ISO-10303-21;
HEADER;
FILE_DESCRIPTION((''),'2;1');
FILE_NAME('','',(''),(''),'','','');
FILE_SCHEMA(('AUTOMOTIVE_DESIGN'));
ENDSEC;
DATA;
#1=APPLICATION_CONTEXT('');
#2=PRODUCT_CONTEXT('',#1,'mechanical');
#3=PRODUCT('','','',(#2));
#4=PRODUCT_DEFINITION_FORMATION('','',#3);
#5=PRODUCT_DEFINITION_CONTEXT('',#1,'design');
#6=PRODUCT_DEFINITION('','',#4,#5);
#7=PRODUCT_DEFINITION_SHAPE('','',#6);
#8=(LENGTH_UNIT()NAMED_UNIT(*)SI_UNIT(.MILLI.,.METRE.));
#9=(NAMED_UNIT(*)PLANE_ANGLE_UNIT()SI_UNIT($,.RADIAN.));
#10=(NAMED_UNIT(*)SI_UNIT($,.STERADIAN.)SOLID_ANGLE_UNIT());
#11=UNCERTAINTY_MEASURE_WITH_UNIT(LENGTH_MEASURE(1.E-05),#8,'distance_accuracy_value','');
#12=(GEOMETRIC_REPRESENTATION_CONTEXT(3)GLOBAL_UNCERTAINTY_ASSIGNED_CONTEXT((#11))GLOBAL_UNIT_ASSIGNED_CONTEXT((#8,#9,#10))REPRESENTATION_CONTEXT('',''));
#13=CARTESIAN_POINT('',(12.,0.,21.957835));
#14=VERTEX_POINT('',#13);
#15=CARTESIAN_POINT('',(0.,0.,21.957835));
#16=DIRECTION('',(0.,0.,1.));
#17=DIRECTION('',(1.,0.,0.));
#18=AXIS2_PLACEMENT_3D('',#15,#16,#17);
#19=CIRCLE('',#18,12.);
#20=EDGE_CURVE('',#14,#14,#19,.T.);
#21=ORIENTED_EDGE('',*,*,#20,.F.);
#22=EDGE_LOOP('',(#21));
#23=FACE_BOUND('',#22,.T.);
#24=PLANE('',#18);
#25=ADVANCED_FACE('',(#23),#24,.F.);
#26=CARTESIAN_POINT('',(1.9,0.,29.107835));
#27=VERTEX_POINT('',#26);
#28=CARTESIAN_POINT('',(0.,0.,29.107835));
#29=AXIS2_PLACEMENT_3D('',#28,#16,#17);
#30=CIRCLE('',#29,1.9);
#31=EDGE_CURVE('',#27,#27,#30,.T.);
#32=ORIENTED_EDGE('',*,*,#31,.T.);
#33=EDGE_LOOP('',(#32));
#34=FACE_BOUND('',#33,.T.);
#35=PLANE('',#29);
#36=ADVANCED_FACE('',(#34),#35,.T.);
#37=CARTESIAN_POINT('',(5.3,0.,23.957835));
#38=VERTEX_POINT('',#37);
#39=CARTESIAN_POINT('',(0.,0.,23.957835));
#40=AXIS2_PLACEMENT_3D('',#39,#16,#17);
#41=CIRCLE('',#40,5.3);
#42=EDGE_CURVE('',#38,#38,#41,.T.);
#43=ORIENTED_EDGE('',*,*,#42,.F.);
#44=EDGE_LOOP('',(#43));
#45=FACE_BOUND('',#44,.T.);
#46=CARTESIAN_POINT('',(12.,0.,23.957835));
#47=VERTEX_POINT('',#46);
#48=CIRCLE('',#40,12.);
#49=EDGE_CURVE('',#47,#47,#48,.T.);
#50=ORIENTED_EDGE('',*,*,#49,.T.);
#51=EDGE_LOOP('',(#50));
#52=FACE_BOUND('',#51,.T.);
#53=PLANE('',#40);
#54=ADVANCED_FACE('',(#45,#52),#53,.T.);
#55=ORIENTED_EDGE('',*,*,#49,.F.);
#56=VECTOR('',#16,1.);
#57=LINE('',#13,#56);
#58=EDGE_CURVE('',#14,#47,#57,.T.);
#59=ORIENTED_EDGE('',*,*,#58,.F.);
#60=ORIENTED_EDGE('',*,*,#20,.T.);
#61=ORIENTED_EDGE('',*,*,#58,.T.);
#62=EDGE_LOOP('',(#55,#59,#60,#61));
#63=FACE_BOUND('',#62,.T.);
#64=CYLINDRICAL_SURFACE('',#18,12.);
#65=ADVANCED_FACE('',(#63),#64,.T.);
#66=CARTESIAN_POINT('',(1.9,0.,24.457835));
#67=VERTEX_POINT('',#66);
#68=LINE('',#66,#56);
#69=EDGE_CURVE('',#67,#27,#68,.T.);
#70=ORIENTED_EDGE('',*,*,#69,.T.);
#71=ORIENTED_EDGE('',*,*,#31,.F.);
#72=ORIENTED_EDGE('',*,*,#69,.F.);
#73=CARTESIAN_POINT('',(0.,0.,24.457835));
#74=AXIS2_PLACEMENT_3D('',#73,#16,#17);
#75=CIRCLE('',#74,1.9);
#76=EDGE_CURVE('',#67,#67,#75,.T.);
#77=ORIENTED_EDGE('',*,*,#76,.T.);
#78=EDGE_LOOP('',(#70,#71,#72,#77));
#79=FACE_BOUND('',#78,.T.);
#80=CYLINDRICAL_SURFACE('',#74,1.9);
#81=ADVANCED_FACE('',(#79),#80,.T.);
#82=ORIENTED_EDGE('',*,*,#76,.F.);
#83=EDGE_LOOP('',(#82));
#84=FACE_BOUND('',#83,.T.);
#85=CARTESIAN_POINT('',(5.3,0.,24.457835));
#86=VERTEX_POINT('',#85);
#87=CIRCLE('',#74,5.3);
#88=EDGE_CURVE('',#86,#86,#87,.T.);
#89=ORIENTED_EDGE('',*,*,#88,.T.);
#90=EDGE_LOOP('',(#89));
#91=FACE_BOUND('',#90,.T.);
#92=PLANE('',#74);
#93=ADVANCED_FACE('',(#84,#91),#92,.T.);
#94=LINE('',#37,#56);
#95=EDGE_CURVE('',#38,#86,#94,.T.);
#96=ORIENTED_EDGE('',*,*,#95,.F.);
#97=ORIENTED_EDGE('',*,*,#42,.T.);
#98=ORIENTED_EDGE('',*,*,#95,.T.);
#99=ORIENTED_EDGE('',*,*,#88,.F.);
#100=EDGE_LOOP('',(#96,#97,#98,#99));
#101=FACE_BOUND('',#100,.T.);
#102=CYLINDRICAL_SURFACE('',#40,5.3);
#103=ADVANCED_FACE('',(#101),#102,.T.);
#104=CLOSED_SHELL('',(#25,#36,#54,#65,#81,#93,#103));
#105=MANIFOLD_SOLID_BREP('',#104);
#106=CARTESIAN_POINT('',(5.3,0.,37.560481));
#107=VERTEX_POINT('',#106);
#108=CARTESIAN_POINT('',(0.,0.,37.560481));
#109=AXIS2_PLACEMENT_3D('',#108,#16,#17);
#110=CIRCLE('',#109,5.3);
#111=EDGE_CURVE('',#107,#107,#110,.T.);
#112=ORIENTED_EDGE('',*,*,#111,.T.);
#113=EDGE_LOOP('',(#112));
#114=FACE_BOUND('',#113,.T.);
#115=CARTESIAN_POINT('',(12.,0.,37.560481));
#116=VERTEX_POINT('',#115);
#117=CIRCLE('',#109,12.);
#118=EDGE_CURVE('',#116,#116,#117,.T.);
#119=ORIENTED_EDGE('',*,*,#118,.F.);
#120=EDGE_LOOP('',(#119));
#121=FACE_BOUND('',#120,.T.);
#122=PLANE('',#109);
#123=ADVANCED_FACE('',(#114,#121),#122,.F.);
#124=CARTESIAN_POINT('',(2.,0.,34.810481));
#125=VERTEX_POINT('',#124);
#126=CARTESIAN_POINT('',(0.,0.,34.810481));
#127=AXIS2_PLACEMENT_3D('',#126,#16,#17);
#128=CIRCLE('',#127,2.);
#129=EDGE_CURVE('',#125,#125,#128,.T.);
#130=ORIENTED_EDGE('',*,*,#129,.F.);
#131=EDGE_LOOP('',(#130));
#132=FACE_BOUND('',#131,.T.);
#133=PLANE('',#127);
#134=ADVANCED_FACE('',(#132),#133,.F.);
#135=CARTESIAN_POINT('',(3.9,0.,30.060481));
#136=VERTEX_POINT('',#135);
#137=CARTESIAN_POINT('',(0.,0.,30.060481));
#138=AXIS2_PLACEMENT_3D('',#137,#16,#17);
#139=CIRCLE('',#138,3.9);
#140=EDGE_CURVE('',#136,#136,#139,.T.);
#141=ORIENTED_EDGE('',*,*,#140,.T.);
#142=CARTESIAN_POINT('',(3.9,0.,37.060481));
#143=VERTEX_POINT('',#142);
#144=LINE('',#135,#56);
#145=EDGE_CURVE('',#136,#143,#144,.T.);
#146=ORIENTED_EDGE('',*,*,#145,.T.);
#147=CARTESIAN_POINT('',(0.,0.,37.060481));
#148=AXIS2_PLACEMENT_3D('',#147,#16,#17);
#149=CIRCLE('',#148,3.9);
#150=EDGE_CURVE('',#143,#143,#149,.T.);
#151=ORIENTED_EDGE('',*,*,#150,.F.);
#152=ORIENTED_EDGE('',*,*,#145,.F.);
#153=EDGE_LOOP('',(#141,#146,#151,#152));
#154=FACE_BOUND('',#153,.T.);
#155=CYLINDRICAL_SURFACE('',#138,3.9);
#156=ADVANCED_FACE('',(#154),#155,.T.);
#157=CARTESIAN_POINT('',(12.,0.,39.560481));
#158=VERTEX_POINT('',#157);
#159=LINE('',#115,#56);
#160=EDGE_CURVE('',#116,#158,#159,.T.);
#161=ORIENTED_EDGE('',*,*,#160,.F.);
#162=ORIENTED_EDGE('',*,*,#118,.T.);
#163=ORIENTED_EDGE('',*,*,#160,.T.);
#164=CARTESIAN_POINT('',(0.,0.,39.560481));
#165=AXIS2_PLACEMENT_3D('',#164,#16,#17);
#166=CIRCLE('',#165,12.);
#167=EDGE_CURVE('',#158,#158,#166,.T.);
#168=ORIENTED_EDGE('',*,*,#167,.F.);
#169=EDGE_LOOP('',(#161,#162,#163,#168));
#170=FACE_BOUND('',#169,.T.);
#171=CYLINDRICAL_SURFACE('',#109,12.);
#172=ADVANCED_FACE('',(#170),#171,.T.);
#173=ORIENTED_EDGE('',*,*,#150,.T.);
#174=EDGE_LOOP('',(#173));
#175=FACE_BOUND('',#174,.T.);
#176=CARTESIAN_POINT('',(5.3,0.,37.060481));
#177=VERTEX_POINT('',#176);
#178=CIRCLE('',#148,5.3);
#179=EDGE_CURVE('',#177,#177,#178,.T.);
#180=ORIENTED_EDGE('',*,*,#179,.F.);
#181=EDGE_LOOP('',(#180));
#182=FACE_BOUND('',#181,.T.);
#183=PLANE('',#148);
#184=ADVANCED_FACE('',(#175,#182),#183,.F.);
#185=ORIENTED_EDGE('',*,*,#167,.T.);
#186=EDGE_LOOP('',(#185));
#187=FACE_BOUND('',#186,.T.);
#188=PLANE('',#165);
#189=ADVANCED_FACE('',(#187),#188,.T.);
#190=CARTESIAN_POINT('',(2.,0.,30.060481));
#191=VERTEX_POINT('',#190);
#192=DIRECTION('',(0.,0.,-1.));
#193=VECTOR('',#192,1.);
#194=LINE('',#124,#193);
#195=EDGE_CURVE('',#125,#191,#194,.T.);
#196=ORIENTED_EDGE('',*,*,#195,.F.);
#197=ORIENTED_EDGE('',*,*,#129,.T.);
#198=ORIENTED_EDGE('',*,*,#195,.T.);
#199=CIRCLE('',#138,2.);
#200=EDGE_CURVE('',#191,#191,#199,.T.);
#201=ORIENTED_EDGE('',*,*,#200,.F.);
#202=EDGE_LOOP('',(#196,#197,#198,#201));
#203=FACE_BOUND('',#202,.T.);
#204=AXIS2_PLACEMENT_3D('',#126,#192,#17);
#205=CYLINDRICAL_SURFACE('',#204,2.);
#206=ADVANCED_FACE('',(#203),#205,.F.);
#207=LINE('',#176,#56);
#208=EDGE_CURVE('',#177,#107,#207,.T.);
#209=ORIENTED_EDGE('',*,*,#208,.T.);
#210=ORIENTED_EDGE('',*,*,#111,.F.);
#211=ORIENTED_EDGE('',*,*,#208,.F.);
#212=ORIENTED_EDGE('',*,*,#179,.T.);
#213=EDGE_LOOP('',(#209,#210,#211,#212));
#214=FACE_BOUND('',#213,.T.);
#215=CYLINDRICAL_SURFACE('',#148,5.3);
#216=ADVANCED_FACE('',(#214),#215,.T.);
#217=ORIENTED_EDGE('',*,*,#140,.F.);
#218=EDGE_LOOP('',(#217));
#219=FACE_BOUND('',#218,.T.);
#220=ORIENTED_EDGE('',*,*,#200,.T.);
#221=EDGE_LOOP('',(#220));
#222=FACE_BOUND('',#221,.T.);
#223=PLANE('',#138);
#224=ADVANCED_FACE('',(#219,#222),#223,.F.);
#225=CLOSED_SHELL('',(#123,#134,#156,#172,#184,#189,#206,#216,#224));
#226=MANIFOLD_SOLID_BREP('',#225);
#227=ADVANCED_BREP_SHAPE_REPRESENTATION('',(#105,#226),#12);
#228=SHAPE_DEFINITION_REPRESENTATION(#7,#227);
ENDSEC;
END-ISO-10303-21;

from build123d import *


with BuildPart() as f1:
    # F0 (on Front) → F1 (revolve)
    with BuildSketch(Plane.XZ):
        Polygon((12, 37.560481), (12, 39.560481), (0, 39.560481), (0, 38.348235), (0, 34.810481), (2, 34.810481), (2, 30.060481), (3.9, 30.060481), (3.9, 37.060481), (5.3, 37.060481), (5.3, 37.560481), align=None)
    revolve(axis=Axis((0, 0, 36.579358), (0, 0, 1)))

    # F0 (on Front) → F2 (revolve)
    with BuildSketch(Plane.XZ):
        Polygon((12, 37.560481), (12, 39.560481), (0, 39.560481), (0, 38.348235), (0, 34.810481), (2, 34.810481), (2, 30.060481), (3.9, 30.060481), (3.9, 37.060481), (5.3, 37.060481), (5.3, 37.560481), align=None)
        Polygon((1.9, 29.107835), (0, 29.107835), (0, 21.957835), (12, 21.957835), (12, 23.957835), (5.3, 23.957835), (5.3, 24.457835), (1.9, 24.457835), align=None)
    revolve(axis=Axis((0, 0, 30.060481), (0, 0, 1)))


solid = f1.part
